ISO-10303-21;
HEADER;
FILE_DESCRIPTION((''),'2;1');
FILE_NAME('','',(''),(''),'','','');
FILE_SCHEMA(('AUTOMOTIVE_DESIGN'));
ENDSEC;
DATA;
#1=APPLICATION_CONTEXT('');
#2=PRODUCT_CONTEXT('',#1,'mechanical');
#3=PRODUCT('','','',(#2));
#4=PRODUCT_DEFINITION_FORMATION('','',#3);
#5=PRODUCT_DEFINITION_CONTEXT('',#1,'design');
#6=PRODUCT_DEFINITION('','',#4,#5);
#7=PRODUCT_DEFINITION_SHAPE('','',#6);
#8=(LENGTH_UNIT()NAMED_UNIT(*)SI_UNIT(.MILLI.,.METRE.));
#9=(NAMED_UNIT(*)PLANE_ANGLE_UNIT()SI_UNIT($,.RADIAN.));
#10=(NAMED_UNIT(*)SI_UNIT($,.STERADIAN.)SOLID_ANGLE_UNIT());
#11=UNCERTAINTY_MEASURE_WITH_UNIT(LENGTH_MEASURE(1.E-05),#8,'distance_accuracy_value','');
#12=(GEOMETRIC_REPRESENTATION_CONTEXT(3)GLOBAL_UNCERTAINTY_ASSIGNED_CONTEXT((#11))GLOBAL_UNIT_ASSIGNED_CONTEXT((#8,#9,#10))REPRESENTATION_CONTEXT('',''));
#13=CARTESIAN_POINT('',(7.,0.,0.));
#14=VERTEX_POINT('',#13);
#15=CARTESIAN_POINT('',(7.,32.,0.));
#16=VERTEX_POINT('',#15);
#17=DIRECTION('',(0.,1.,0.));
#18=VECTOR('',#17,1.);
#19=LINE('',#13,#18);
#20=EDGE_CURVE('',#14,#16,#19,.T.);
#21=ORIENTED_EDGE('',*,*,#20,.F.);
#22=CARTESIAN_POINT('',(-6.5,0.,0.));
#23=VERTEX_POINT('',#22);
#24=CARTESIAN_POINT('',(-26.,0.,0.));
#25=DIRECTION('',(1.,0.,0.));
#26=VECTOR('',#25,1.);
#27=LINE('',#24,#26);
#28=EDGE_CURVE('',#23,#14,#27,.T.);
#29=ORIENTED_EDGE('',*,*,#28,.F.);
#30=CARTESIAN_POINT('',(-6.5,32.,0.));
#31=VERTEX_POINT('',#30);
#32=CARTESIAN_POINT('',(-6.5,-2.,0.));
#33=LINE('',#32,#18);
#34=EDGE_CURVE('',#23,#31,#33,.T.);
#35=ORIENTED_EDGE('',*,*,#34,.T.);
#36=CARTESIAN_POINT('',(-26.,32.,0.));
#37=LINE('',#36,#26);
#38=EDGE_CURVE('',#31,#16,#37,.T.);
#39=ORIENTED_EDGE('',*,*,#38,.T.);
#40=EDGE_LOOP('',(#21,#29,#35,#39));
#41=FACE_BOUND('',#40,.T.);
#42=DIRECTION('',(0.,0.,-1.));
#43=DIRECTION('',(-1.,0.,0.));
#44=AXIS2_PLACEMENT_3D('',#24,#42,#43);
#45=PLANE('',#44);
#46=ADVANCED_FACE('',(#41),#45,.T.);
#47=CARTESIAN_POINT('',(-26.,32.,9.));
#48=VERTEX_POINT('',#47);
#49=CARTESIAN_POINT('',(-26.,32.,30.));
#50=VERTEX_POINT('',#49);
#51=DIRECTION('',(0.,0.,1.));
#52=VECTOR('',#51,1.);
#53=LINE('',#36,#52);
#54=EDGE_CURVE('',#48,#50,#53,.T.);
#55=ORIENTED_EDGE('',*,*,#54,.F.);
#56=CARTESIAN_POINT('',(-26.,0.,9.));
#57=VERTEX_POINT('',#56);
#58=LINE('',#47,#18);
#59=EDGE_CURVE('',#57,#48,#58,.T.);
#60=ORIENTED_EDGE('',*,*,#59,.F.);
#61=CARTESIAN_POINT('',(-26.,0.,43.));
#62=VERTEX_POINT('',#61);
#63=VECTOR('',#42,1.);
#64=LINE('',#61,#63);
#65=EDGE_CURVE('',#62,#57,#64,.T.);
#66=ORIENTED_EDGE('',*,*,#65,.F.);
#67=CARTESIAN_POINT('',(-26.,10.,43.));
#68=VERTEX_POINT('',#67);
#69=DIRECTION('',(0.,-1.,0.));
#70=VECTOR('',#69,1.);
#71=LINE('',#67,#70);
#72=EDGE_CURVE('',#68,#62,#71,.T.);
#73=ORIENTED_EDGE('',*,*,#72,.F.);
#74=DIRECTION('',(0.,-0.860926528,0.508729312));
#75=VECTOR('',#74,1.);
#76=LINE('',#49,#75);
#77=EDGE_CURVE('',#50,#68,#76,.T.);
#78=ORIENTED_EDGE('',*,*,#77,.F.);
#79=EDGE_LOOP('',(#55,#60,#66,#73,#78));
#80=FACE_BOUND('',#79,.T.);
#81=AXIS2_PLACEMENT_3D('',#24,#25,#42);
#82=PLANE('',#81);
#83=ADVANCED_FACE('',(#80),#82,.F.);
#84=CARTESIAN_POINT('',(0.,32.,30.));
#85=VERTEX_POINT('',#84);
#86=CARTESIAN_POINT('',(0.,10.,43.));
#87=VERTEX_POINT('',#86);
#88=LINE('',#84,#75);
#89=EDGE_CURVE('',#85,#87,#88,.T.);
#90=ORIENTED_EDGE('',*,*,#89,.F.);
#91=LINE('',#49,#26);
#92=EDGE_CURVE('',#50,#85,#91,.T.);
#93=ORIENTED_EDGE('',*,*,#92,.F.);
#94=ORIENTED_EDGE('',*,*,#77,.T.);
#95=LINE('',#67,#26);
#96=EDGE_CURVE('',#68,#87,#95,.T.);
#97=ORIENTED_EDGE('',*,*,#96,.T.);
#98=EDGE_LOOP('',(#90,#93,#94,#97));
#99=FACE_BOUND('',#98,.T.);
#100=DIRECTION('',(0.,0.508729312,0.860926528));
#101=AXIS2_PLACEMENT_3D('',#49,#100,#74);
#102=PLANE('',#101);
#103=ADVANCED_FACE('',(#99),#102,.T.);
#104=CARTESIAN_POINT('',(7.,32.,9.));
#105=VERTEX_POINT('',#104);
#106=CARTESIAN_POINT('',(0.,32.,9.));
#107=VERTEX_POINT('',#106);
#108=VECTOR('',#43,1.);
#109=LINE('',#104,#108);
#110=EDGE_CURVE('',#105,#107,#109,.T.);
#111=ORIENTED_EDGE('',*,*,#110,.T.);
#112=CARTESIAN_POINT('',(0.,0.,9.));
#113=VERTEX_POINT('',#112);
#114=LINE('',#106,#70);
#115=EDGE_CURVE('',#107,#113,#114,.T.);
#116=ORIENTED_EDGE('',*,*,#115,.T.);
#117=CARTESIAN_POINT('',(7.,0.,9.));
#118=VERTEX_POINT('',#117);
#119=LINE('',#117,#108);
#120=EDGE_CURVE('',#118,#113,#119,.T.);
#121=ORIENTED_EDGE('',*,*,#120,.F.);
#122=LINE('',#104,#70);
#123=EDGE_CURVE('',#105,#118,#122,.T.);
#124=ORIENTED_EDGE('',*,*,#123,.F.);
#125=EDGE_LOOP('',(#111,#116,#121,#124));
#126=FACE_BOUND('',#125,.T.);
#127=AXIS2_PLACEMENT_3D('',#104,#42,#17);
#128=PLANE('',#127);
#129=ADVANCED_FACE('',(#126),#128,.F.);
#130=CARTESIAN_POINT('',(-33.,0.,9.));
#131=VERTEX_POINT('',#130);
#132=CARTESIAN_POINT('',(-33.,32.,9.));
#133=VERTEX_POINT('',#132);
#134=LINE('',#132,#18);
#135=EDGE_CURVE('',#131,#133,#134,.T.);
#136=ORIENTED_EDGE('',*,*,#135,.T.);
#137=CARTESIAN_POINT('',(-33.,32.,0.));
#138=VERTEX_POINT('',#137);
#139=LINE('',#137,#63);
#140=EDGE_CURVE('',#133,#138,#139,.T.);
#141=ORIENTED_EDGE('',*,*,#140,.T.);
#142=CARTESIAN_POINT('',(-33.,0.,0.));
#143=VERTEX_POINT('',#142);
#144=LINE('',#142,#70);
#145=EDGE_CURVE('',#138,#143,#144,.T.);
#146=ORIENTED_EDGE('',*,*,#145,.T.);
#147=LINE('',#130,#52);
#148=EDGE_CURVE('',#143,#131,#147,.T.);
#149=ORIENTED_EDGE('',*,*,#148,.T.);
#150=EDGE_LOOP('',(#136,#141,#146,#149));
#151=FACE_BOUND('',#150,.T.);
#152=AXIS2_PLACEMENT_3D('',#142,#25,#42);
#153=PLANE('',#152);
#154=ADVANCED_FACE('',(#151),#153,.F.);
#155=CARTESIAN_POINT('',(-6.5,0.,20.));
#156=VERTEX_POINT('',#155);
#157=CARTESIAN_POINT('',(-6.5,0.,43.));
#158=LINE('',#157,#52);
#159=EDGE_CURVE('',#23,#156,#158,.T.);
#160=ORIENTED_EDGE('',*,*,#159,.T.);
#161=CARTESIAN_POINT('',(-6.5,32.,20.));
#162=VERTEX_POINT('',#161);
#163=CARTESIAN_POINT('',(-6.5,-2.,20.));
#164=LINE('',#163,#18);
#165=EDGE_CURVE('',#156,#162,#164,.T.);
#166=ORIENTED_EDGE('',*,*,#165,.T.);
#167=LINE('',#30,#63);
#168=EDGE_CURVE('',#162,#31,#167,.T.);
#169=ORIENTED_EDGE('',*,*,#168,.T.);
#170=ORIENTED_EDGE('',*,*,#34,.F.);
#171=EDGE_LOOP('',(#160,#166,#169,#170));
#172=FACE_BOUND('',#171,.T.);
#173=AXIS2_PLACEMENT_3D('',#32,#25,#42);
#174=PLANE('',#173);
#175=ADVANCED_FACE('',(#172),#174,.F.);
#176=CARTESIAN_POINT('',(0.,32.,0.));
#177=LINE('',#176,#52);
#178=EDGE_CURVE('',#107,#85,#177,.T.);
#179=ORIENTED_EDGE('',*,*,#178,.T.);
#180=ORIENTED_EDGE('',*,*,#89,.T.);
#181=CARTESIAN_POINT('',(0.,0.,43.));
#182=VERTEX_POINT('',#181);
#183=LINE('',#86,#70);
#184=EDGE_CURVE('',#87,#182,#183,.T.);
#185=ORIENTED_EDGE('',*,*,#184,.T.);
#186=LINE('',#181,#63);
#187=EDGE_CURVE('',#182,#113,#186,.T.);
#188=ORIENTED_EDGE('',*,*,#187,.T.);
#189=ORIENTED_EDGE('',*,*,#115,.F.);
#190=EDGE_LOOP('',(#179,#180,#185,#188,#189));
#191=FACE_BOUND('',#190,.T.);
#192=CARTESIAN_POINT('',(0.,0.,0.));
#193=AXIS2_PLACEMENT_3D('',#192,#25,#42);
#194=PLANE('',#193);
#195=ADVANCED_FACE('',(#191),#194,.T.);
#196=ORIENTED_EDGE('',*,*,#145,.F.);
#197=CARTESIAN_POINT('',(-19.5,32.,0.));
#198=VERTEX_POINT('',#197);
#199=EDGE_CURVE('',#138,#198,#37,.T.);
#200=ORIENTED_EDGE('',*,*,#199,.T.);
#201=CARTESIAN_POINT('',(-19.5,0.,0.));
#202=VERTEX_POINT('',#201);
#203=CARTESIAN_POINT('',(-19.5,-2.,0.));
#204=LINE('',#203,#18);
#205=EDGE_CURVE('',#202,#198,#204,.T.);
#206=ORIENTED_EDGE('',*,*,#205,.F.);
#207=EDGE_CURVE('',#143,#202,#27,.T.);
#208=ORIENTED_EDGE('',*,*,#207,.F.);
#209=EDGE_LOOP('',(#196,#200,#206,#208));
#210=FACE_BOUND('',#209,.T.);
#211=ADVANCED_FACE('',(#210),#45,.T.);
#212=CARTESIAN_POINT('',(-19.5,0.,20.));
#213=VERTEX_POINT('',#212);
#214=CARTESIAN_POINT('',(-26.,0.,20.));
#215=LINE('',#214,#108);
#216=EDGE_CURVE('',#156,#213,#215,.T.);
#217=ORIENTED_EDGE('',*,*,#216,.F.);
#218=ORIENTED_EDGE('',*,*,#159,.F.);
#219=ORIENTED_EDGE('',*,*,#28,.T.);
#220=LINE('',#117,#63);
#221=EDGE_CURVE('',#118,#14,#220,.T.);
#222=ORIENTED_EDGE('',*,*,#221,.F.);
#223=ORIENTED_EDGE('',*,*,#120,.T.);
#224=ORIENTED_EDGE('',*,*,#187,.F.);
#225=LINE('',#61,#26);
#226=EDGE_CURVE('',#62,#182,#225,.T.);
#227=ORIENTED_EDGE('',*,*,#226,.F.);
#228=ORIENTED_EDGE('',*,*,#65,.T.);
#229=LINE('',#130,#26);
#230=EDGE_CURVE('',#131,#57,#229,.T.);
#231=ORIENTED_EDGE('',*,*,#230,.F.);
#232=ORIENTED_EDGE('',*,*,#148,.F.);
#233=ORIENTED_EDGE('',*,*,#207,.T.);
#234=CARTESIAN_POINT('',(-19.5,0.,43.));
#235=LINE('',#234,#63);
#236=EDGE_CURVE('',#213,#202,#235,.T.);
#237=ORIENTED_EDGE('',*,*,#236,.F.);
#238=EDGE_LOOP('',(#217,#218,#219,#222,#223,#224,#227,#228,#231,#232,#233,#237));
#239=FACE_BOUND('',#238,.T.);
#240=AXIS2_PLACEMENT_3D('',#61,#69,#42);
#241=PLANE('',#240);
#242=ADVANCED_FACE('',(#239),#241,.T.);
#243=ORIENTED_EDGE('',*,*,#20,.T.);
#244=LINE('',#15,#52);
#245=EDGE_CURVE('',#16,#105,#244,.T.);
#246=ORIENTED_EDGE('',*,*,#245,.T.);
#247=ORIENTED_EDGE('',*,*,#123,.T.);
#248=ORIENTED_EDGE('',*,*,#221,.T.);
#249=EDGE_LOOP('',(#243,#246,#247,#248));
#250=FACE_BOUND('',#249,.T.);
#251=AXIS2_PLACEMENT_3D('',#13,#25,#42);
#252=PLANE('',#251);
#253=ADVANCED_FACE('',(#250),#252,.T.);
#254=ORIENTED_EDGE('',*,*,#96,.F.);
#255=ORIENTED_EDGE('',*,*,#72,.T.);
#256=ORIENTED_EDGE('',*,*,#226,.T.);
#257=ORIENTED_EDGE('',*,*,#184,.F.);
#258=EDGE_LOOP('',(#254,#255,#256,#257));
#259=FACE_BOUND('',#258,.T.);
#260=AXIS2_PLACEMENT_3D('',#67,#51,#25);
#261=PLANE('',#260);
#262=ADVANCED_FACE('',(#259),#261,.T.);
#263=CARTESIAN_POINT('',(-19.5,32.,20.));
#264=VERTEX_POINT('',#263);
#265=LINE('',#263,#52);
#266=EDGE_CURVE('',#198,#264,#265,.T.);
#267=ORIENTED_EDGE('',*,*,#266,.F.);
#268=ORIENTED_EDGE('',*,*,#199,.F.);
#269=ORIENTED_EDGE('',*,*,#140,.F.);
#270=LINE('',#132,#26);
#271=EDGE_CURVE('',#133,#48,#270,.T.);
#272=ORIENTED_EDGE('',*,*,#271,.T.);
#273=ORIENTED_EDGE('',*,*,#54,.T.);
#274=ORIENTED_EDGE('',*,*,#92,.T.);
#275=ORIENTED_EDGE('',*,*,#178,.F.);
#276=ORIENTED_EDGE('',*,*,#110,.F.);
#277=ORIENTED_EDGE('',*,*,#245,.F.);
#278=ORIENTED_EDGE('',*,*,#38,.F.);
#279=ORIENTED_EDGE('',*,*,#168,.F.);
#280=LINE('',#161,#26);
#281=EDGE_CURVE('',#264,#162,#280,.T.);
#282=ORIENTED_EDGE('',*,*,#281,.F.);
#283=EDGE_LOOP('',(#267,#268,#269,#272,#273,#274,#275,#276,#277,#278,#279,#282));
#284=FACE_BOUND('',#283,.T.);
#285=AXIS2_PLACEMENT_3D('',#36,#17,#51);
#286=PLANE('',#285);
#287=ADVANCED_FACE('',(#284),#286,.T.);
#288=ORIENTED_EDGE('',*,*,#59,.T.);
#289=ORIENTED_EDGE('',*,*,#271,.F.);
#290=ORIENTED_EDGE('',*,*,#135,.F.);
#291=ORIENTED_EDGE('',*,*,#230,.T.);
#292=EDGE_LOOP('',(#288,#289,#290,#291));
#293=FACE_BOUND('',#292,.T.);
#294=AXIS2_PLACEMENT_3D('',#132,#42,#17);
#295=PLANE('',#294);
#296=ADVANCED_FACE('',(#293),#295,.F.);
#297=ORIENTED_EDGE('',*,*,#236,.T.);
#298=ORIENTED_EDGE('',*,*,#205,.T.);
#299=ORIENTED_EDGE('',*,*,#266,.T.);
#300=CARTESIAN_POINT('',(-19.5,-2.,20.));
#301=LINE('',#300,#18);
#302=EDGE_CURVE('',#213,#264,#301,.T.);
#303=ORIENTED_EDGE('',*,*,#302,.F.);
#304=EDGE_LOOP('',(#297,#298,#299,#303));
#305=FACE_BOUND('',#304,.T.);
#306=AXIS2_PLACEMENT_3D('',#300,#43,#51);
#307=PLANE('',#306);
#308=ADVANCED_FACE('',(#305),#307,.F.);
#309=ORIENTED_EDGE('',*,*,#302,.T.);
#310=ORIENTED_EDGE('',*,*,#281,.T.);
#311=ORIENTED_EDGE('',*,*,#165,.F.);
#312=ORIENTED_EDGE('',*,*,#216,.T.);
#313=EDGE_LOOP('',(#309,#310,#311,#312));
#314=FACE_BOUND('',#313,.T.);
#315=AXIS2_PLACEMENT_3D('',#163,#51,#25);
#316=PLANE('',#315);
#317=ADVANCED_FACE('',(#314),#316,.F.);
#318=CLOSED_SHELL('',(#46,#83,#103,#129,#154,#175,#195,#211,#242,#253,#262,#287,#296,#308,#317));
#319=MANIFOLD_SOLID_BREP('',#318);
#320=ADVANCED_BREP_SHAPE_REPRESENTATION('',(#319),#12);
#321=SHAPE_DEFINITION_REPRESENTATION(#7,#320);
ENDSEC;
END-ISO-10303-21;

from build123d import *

# Parameters (mm, degrees)
BOSS_EXTRUDE2_DEPTH = 26
SKETCH2_W           = 9
SKETCH2_H           = 32
BOSS_EXTRUDE3_DEPTH = 7
SKETCH3_W           = 9
SKETCH3_H           = 32
BOSS_EXTRUDE4_DEPTH = 7
SKETCH4_W           = 13
SKETCH4_H           = 20
CUT_EXTRUDE2_DEPTH  = 34


with BuildPart() as part:
    # Sketch1 → Boss-Extrude2 (new body)
    with BuildSketch(Plane(origin=(0, 0, 0), x_dir=(0, 0, -1), z_dir=(1, 0, 0))):
        Polygon((-43, 0), (0, 0), (0, 32), (-30, 32), (-43, 10), align=None)
    extrude(amount=-BOSS_EXTRUDE2_DEPTH)

    # Sketch2 → Boss-Extrude3 (add)
    with BuildSketch(Plane(origin=(0, 0, 0), x_dir=(0, 0, -1), z_dir=(1, 0, 0))):
        with Locations((-4.5, 16)):
            Rectangle(SKETCH2_W, SKETCH2_H)
    extrude(amount=BOSS_EXTRUDE3_DEPTH)

    # Sketch3 → Boss-Extrude4 (add)
    with BuildSketch(Plane.ZY.offset(26)):
        with Locations((4.5, 16)):
            Rectangle(SKETCH3_W, SKETCH3_H)
    extrude(amount=BOSS_EXTRUDE4_DEPTH)

    # Sketch4 → Cut-Extrude2 (cut)
    with BuildSketch(Plane(origin=(0, 32, 0), x_dir=(1, 0, 0), z_dir=(0, 1, 0))):
        with Locations((-13, -10)):
            Rectangle(SKETCH4_W, SKETCH4_H)
    extrude(amount=-CUT_EXTRUDE2_DEPTH, mode=Mode.SUBTRACT)


solid = part.part
